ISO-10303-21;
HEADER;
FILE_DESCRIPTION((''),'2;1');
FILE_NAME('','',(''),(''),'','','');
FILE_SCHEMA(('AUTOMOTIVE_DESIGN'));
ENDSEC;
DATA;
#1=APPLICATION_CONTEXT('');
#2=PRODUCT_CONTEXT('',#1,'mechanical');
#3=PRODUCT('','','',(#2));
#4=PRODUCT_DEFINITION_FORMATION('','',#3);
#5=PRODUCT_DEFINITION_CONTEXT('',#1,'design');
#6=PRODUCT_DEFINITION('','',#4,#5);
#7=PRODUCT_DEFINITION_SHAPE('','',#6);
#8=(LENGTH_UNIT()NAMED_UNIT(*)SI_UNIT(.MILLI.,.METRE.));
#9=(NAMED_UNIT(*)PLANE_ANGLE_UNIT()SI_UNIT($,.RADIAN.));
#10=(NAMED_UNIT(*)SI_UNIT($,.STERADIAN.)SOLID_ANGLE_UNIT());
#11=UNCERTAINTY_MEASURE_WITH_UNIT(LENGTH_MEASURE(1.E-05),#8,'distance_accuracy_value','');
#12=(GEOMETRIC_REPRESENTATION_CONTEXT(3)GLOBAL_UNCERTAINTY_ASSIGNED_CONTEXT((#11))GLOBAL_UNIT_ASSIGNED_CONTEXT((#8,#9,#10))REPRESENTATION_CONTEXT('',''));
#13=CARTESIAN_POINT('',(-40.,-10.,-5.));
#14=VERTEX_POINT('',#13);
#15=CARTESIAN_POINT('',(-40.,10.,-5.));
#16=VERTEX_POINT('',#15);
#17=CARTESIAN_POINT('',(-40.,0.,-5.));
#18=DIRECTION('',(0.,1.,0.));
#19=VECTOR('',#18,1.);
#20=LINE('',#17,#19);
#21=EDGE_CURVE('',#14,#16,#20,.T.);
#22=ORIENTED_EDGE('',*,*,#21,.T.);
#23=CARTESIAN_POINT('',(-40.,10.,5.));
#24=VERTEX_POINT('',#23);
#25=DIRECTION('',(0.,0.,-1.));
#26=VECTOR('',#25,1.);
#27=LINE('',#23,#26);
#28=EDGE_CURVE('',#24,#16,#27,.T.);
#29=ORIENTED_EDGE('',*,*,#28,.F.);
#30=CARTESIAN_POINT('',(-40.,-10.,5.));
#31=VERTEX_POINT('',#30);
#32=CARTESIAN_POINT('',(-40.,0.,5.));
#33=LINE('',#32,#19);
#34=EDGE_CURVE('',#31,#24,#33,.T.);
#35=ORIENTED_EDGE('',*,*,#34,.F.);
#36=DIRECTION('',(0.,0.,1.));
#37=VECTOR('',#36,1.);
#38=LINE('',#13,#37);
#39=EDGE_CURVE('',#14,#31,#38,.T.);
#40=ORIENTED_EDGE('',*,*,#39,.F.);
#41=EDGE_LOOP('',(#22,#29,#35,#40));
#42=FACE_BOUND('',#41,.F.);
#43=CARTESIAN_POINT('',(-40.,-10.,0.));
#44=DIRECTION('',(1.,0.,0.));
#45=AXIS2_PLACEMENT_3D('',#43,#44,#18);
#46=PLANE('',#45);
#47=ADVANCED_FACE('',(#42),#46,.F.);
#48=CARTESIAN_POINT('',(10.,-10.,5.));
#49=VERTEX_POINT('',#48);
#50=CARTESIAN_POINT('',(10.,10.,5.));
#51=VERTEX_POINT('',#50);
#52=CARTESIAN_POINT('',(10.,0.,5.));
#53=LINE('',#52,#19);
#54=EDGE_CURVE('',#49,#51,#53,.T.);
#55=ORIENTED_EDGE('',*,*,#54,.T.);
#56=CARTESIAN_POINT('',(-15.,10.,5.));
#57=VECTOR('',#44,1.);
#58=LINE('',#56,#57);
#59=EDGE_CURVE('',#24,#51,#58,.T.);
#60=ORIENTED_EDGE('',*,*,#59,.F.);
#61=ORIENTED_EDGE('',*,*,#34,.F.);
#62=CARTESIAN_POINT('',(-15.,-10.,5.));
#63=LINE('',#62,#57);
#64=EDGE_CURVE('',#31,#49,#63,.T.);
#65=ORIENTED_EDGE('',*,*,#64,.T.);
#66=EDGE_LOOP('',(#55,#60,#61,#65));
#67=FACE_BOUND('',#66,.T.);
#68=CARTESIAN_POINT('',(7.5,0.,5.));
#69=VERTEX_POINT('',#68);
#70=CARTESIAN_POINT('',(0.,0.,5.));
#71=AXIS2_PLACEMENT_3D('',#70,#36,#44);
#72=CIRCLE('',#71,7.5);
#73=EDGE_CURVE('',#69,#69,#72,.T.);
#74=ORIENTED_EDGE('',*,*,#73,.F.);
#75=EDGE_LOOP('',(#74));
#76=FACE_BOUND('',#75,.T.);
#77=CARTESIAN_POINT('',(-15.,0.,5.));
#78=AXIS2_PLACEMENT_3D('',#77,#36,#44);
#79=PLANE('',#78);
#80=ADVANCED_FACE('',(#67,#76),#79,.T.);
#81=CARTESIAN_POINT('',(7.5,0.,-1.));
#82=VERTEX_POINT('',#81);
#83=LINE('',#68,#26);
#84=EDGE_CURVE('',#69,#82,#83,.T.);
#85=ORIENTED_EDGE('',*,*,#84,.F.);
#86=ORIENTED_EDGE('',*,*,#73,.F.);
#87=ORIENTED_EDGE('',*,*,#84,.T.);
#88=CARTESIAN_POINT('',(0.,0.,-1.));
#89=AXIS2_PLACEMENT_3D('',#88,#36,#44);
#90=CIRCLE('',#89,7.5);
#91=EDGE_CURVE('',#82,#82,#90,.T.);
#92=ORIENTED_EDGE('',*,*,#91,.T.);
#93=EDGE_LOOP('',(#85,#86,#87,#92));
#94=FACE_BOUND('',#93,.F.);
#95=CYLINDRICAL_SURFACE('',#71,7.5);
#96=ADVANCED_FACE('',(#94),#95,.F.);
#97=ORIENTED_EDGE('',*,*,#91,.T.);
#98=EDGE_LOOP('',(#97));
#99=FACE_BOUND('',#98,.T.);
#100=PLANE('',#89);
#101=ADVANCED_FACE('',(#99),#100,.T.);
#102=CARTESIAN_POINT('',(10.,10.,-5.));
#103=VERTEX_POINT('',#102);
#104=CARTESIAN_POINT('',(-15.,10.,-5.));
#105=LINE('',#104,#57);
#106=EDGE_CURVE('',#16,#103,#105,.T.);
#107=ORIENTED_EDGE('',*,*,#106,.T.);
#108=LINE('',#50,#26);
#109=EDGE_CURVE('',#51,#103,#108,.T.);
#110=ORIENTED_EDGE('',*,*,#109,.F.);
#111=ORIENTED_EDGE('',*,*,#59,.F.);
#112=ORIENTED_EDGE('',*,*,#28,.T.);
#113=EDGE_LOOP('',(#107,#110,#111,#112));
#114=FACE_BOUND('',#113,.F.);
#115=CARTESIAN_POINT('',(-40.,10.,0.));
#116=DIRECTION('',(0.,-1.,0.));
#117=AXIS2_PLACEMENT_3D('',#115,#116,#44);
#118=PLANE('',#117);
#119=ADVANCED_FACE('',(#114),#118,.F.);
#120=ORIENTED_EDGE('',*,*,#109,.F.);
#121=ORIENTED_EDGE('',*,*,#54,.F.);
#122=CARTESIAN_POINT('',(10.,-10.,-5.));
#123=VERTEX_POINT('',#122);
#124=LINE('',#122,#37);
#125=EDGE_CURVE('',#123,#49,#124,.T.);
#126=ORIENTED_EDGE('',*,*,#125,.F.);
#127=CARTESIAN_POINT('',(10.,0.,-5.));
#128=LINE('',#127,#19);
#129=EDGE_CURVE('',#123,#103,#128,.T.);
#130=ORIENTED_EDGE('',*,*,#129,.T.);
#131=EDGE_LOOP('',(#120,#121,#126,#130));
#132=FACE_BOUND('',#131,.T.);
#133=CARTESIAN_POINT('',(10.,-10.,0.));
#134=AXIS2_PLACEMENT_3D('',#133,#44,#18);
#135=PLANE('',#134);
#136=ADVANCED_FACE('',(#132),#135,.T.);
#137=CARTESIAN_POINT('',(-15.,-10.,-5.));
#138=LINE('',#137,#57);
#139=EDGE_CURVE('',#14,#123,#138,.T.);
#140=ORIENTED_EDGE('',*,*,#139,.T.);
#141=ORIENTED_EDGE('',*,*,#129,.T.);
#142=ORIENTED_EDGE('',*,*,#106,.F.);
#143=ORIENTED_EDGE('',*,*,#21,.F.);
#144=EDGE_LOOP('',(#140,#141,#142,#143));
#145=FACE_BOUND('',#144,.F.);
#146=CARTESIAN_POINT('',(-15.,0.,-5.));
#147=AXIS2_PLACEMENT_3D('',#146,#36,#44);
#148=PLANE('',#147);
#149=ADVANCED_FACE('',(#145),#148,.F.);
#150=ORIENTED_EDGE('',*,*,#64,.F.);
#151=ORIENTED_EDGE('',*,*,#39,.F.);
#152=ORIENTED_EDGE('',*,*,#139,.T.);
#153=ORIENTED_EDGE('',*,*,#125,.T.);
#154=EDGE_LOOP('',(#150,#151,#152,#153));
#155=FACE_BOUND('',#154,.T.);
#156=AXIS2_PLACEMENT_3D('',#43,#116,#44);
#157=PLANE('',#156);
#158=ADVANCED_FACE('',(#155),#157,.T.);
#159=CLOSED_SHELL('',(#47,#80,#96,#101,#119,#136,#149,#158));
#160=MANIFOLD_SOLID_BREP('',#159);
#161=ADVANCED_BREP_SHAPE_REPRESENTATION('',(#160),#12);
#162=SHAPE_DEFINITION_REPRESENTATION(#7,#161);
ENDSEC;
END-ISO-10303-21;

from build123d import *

# Parameters (mm, degrees)
F0_W     = 50
F0_H     = 20
F1_DEPTH = 5
F2_R     = 7.5
F3_DEPTH = 6


with BuildPart() as f1:
    # F0 (on Top) → F1 (new body, symmetric)
    with BuildSketch(Plane.XY):
        with Locations((-15, 0)):
            Rectangle(F0_W, F0_H)
    extrude(amount=F1_DEPTH, both=True)

    # F2 (on face) → F3 (cut)
    with BuildSketch(Plane.XY.offset(5)):
        Circle(F2_R)
    extrude(amount=-F3_DEPTH, mode=Mode.SUBTRACT)


solid = f1.part
